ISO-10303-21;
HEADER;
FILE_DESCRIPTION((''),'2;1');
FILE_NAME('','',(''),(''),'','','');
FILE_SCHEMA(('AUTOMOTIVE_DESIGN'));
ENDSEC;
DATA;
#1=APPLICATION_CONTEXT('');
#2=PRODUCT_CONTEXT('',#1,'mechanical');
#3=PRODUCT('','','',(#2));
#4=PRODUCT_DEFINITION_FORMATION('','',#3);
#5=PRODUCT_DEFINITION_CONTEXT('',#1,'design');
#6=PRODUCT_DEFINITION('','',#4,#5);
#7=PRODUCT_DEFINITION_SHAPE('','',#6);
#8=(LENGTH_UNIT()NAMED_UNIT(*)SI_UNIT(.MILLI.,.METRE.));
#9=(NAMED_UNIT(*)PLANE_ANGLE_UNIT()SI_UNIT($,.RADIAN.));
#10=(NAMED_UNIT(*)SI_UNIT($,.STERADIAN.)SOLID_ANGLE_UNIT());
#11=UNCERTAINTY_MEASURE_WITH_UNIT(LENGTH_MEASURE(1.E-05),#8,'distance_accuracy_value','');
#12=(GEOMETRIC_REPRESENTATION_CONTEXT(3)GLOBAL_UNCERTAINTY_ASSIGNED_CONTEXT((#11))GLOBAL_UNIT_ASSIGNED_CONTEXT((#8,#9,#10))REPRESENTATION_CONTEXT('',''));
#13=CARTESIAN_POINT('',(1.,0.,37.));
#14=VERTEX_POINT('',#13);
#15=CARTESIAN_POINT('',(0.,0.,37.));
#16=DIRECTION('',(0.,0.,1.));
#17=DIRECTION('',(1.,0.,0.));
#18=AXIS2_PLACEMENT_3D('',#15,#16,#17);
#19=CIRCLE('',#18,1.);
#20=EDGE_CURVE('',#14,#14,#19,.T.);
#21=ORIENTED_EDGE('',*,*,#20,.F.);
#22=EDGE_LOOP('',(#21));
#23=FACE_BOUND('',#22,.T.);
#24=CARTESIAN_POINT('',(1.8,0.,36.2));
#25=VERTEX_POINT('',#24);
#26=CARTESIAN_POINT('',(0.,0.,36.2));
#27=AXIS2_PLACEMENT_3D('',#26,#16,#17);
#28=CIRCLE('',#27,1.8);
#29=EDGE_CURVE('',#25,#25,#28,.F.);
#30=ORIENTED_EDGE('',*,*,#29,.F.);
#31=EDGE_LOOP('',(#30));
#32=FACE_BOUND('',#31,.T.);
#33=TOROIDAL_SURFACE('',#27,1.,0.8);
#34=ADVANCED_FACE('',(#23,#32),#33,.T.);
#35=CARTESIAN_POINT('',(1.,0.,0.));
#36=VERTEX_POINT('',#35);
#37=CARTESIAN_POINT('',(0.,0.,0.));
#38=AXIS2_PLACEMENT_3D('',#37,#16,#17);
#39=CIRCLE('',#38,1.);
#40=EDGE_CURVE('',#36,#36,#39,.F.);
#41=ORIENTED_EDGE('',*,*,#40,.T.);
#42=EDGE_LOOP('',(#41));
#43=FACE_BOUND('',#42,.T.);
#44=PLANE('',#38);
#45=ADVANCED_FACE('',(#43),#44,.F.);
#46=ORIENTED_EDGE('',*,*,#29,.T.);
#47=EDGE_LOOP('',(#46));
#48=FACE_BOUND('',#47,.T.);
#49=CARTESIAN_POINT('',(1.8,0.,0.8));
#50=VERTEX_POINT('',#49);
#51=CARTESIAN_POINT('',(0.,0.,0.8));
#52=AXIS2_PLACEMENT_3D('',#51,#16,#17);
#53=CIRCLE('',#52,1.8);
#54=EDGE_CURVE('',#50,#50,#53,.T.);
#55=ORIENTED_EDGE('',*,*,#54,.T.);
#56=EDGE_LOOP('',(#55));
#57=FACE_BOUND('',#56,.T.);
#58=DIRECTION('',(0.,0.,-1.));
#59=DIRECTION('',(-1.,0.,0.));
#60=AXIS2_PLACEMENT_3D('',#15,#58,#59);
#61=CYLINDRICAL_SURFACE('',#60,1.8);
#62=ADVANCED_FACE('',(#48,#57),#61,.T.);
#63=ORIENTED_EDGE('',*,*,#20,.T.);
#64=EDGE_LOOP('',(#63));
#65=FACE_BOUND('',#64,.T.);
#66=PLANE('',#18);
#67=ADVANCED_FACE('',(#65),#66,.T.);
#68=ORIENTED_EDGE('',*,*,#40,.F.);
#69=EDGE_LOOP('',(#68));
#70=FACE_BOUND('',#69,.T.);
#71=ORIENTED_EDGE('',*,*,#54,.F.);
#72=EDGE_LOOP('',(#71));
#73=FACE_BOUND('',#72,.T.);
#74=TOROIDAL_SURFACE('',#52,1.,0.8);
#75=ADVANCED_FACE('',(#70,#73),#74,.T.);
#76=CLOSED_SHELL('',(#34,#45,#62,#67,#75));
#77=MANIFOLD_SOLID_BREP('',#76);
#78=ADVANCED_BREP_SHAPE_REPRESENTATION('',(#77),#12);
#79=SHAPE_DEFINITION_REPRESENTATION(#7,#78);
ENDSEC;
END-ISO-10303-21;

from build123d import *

# Parameters (mm, degrees)
SKETCH_1_R      = 1.8
EXTRUDE_1_DEPTH = 37
FILLET_1_R      = 0.8


with BuildPart() as part:
    # 스케치1 → 보스-돌출1 (new body)
    with BuildSketch(Plane.XY):
        Circle(SKETCH_1_R)
    extrude(amount=EXTRUDE_1_DEPTH)

    # 필렛1
    fillet_1_edges = [part.edges().sort_by_distance(p)[0] for p in [
        (-1.8, 0, 0),
        (-1.8, 0, 37),
    ]]
    fillet(fillet_1_edges, radius=FILLET_1_R)


solid = part.part
